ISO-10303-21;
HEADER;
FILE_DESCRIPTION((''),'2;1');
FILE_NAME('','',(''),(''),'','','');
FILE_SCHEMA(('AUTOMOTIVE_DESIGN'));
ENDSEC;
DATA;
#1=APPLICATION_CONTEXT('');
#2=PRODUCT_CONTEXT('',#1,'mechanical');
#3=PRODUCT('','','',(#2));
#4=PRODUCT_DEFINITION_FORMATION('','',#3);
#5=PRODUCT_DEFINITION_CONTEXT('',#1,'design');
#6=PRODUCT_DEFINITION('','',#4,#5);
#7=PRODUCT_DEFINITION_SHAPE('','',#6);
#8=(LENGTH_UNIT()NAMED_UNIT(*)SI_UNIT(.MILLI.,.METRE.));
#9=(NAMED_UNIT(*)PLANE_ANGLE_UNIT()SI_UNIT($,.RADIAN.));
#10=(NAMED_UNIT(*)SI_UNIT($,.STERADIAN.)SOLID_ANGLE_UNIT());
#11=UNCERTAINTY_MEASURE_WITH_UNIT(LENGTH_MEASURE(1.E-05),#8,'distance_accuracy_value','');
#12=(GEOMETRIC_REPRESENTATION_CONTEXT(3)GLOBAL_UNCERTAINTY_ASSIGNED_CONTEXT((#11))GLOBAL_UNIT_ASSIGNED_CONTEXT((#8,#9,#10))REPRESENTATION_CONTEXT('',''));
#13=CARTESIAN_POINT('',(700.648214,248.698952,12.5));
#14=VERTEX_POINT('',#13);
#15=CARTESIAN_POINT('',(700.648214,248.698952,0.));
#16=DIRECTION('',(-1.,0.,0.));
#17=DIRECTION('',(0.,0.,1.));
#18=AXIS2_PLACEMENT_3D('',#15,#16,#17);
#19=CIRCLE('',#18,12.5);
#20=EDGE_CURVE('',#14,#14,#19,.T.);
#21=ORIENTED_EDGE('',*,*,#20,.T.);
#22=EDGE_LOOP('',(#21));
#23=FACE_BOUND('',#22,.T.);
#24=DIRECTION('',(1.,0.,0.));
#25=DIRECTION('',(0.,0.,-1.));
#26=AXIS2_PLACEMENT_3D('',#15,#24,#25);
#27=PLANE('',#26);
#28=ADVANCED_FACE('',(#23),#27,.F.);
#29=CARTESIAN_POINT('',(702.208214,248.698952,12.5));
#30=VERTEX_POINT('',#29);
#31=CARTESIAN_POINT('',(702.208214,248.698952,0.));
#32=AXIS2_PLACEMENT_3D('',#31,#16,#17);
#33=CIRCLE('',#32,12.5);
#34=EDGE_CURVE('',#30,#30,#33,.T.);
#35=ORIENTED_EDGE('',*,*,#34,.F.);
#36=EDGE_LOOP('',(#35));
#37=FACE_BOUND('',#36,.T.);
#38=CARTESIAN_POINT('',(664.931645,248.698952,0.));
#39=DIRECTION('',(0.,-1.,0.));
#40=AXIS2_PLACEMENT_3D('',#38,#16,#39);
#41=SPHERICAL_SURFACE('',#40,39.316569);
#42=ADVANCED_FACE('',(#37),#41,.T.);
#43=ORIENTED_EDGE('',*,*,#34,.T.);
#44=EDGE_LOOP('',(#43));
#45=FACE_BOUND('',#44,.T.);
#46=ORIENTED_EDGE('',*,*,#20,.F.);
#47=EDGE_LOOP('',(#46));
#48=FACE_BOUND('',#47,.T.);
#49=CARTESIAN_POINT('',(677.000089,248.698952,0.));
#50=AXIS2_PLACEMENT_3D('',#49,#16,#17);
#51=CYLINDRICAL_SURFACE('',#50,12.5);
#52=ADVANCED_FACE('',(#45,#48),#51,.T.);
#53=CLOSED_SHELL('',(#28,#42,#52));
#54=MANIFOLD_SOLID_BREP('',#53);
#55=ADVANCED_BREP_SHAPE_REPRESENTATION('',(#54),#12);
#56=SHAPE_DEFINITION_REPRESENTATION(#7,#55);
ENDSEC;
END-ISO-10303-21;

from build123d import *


with BuildPart() as part:
    # 草图2 → 旋转2 (revolve)
    with BuildSketch(Plane.XY, mode=Mode.PRIVATE) as revolve_2_sk:
        with BuildLine():
            Line((700.648213782, 248.698951534), (700.648213782, 261.198951534))
            Line((700.648213782, 261.198951534), (702.208213782, 261.198951534))
            ThreePointArc((702.208213782, 261.198951534), (703.734862401, 255.031636588), (704.248213782, 248.698951534))
            Line((704.248213782, 248.698951534), (700.648213782, 248.698951534))
        make_face()
    revolve(revolve_2_sk.sketch.rotate(Axis((677.000088815, 248.698951534, 0), (1, 0, 0)), 180), axis=Axis((677.000088815, 248.698951534, 0), (1, 0, 0)))  # turned: the seam where the file's is


solid = part.part
